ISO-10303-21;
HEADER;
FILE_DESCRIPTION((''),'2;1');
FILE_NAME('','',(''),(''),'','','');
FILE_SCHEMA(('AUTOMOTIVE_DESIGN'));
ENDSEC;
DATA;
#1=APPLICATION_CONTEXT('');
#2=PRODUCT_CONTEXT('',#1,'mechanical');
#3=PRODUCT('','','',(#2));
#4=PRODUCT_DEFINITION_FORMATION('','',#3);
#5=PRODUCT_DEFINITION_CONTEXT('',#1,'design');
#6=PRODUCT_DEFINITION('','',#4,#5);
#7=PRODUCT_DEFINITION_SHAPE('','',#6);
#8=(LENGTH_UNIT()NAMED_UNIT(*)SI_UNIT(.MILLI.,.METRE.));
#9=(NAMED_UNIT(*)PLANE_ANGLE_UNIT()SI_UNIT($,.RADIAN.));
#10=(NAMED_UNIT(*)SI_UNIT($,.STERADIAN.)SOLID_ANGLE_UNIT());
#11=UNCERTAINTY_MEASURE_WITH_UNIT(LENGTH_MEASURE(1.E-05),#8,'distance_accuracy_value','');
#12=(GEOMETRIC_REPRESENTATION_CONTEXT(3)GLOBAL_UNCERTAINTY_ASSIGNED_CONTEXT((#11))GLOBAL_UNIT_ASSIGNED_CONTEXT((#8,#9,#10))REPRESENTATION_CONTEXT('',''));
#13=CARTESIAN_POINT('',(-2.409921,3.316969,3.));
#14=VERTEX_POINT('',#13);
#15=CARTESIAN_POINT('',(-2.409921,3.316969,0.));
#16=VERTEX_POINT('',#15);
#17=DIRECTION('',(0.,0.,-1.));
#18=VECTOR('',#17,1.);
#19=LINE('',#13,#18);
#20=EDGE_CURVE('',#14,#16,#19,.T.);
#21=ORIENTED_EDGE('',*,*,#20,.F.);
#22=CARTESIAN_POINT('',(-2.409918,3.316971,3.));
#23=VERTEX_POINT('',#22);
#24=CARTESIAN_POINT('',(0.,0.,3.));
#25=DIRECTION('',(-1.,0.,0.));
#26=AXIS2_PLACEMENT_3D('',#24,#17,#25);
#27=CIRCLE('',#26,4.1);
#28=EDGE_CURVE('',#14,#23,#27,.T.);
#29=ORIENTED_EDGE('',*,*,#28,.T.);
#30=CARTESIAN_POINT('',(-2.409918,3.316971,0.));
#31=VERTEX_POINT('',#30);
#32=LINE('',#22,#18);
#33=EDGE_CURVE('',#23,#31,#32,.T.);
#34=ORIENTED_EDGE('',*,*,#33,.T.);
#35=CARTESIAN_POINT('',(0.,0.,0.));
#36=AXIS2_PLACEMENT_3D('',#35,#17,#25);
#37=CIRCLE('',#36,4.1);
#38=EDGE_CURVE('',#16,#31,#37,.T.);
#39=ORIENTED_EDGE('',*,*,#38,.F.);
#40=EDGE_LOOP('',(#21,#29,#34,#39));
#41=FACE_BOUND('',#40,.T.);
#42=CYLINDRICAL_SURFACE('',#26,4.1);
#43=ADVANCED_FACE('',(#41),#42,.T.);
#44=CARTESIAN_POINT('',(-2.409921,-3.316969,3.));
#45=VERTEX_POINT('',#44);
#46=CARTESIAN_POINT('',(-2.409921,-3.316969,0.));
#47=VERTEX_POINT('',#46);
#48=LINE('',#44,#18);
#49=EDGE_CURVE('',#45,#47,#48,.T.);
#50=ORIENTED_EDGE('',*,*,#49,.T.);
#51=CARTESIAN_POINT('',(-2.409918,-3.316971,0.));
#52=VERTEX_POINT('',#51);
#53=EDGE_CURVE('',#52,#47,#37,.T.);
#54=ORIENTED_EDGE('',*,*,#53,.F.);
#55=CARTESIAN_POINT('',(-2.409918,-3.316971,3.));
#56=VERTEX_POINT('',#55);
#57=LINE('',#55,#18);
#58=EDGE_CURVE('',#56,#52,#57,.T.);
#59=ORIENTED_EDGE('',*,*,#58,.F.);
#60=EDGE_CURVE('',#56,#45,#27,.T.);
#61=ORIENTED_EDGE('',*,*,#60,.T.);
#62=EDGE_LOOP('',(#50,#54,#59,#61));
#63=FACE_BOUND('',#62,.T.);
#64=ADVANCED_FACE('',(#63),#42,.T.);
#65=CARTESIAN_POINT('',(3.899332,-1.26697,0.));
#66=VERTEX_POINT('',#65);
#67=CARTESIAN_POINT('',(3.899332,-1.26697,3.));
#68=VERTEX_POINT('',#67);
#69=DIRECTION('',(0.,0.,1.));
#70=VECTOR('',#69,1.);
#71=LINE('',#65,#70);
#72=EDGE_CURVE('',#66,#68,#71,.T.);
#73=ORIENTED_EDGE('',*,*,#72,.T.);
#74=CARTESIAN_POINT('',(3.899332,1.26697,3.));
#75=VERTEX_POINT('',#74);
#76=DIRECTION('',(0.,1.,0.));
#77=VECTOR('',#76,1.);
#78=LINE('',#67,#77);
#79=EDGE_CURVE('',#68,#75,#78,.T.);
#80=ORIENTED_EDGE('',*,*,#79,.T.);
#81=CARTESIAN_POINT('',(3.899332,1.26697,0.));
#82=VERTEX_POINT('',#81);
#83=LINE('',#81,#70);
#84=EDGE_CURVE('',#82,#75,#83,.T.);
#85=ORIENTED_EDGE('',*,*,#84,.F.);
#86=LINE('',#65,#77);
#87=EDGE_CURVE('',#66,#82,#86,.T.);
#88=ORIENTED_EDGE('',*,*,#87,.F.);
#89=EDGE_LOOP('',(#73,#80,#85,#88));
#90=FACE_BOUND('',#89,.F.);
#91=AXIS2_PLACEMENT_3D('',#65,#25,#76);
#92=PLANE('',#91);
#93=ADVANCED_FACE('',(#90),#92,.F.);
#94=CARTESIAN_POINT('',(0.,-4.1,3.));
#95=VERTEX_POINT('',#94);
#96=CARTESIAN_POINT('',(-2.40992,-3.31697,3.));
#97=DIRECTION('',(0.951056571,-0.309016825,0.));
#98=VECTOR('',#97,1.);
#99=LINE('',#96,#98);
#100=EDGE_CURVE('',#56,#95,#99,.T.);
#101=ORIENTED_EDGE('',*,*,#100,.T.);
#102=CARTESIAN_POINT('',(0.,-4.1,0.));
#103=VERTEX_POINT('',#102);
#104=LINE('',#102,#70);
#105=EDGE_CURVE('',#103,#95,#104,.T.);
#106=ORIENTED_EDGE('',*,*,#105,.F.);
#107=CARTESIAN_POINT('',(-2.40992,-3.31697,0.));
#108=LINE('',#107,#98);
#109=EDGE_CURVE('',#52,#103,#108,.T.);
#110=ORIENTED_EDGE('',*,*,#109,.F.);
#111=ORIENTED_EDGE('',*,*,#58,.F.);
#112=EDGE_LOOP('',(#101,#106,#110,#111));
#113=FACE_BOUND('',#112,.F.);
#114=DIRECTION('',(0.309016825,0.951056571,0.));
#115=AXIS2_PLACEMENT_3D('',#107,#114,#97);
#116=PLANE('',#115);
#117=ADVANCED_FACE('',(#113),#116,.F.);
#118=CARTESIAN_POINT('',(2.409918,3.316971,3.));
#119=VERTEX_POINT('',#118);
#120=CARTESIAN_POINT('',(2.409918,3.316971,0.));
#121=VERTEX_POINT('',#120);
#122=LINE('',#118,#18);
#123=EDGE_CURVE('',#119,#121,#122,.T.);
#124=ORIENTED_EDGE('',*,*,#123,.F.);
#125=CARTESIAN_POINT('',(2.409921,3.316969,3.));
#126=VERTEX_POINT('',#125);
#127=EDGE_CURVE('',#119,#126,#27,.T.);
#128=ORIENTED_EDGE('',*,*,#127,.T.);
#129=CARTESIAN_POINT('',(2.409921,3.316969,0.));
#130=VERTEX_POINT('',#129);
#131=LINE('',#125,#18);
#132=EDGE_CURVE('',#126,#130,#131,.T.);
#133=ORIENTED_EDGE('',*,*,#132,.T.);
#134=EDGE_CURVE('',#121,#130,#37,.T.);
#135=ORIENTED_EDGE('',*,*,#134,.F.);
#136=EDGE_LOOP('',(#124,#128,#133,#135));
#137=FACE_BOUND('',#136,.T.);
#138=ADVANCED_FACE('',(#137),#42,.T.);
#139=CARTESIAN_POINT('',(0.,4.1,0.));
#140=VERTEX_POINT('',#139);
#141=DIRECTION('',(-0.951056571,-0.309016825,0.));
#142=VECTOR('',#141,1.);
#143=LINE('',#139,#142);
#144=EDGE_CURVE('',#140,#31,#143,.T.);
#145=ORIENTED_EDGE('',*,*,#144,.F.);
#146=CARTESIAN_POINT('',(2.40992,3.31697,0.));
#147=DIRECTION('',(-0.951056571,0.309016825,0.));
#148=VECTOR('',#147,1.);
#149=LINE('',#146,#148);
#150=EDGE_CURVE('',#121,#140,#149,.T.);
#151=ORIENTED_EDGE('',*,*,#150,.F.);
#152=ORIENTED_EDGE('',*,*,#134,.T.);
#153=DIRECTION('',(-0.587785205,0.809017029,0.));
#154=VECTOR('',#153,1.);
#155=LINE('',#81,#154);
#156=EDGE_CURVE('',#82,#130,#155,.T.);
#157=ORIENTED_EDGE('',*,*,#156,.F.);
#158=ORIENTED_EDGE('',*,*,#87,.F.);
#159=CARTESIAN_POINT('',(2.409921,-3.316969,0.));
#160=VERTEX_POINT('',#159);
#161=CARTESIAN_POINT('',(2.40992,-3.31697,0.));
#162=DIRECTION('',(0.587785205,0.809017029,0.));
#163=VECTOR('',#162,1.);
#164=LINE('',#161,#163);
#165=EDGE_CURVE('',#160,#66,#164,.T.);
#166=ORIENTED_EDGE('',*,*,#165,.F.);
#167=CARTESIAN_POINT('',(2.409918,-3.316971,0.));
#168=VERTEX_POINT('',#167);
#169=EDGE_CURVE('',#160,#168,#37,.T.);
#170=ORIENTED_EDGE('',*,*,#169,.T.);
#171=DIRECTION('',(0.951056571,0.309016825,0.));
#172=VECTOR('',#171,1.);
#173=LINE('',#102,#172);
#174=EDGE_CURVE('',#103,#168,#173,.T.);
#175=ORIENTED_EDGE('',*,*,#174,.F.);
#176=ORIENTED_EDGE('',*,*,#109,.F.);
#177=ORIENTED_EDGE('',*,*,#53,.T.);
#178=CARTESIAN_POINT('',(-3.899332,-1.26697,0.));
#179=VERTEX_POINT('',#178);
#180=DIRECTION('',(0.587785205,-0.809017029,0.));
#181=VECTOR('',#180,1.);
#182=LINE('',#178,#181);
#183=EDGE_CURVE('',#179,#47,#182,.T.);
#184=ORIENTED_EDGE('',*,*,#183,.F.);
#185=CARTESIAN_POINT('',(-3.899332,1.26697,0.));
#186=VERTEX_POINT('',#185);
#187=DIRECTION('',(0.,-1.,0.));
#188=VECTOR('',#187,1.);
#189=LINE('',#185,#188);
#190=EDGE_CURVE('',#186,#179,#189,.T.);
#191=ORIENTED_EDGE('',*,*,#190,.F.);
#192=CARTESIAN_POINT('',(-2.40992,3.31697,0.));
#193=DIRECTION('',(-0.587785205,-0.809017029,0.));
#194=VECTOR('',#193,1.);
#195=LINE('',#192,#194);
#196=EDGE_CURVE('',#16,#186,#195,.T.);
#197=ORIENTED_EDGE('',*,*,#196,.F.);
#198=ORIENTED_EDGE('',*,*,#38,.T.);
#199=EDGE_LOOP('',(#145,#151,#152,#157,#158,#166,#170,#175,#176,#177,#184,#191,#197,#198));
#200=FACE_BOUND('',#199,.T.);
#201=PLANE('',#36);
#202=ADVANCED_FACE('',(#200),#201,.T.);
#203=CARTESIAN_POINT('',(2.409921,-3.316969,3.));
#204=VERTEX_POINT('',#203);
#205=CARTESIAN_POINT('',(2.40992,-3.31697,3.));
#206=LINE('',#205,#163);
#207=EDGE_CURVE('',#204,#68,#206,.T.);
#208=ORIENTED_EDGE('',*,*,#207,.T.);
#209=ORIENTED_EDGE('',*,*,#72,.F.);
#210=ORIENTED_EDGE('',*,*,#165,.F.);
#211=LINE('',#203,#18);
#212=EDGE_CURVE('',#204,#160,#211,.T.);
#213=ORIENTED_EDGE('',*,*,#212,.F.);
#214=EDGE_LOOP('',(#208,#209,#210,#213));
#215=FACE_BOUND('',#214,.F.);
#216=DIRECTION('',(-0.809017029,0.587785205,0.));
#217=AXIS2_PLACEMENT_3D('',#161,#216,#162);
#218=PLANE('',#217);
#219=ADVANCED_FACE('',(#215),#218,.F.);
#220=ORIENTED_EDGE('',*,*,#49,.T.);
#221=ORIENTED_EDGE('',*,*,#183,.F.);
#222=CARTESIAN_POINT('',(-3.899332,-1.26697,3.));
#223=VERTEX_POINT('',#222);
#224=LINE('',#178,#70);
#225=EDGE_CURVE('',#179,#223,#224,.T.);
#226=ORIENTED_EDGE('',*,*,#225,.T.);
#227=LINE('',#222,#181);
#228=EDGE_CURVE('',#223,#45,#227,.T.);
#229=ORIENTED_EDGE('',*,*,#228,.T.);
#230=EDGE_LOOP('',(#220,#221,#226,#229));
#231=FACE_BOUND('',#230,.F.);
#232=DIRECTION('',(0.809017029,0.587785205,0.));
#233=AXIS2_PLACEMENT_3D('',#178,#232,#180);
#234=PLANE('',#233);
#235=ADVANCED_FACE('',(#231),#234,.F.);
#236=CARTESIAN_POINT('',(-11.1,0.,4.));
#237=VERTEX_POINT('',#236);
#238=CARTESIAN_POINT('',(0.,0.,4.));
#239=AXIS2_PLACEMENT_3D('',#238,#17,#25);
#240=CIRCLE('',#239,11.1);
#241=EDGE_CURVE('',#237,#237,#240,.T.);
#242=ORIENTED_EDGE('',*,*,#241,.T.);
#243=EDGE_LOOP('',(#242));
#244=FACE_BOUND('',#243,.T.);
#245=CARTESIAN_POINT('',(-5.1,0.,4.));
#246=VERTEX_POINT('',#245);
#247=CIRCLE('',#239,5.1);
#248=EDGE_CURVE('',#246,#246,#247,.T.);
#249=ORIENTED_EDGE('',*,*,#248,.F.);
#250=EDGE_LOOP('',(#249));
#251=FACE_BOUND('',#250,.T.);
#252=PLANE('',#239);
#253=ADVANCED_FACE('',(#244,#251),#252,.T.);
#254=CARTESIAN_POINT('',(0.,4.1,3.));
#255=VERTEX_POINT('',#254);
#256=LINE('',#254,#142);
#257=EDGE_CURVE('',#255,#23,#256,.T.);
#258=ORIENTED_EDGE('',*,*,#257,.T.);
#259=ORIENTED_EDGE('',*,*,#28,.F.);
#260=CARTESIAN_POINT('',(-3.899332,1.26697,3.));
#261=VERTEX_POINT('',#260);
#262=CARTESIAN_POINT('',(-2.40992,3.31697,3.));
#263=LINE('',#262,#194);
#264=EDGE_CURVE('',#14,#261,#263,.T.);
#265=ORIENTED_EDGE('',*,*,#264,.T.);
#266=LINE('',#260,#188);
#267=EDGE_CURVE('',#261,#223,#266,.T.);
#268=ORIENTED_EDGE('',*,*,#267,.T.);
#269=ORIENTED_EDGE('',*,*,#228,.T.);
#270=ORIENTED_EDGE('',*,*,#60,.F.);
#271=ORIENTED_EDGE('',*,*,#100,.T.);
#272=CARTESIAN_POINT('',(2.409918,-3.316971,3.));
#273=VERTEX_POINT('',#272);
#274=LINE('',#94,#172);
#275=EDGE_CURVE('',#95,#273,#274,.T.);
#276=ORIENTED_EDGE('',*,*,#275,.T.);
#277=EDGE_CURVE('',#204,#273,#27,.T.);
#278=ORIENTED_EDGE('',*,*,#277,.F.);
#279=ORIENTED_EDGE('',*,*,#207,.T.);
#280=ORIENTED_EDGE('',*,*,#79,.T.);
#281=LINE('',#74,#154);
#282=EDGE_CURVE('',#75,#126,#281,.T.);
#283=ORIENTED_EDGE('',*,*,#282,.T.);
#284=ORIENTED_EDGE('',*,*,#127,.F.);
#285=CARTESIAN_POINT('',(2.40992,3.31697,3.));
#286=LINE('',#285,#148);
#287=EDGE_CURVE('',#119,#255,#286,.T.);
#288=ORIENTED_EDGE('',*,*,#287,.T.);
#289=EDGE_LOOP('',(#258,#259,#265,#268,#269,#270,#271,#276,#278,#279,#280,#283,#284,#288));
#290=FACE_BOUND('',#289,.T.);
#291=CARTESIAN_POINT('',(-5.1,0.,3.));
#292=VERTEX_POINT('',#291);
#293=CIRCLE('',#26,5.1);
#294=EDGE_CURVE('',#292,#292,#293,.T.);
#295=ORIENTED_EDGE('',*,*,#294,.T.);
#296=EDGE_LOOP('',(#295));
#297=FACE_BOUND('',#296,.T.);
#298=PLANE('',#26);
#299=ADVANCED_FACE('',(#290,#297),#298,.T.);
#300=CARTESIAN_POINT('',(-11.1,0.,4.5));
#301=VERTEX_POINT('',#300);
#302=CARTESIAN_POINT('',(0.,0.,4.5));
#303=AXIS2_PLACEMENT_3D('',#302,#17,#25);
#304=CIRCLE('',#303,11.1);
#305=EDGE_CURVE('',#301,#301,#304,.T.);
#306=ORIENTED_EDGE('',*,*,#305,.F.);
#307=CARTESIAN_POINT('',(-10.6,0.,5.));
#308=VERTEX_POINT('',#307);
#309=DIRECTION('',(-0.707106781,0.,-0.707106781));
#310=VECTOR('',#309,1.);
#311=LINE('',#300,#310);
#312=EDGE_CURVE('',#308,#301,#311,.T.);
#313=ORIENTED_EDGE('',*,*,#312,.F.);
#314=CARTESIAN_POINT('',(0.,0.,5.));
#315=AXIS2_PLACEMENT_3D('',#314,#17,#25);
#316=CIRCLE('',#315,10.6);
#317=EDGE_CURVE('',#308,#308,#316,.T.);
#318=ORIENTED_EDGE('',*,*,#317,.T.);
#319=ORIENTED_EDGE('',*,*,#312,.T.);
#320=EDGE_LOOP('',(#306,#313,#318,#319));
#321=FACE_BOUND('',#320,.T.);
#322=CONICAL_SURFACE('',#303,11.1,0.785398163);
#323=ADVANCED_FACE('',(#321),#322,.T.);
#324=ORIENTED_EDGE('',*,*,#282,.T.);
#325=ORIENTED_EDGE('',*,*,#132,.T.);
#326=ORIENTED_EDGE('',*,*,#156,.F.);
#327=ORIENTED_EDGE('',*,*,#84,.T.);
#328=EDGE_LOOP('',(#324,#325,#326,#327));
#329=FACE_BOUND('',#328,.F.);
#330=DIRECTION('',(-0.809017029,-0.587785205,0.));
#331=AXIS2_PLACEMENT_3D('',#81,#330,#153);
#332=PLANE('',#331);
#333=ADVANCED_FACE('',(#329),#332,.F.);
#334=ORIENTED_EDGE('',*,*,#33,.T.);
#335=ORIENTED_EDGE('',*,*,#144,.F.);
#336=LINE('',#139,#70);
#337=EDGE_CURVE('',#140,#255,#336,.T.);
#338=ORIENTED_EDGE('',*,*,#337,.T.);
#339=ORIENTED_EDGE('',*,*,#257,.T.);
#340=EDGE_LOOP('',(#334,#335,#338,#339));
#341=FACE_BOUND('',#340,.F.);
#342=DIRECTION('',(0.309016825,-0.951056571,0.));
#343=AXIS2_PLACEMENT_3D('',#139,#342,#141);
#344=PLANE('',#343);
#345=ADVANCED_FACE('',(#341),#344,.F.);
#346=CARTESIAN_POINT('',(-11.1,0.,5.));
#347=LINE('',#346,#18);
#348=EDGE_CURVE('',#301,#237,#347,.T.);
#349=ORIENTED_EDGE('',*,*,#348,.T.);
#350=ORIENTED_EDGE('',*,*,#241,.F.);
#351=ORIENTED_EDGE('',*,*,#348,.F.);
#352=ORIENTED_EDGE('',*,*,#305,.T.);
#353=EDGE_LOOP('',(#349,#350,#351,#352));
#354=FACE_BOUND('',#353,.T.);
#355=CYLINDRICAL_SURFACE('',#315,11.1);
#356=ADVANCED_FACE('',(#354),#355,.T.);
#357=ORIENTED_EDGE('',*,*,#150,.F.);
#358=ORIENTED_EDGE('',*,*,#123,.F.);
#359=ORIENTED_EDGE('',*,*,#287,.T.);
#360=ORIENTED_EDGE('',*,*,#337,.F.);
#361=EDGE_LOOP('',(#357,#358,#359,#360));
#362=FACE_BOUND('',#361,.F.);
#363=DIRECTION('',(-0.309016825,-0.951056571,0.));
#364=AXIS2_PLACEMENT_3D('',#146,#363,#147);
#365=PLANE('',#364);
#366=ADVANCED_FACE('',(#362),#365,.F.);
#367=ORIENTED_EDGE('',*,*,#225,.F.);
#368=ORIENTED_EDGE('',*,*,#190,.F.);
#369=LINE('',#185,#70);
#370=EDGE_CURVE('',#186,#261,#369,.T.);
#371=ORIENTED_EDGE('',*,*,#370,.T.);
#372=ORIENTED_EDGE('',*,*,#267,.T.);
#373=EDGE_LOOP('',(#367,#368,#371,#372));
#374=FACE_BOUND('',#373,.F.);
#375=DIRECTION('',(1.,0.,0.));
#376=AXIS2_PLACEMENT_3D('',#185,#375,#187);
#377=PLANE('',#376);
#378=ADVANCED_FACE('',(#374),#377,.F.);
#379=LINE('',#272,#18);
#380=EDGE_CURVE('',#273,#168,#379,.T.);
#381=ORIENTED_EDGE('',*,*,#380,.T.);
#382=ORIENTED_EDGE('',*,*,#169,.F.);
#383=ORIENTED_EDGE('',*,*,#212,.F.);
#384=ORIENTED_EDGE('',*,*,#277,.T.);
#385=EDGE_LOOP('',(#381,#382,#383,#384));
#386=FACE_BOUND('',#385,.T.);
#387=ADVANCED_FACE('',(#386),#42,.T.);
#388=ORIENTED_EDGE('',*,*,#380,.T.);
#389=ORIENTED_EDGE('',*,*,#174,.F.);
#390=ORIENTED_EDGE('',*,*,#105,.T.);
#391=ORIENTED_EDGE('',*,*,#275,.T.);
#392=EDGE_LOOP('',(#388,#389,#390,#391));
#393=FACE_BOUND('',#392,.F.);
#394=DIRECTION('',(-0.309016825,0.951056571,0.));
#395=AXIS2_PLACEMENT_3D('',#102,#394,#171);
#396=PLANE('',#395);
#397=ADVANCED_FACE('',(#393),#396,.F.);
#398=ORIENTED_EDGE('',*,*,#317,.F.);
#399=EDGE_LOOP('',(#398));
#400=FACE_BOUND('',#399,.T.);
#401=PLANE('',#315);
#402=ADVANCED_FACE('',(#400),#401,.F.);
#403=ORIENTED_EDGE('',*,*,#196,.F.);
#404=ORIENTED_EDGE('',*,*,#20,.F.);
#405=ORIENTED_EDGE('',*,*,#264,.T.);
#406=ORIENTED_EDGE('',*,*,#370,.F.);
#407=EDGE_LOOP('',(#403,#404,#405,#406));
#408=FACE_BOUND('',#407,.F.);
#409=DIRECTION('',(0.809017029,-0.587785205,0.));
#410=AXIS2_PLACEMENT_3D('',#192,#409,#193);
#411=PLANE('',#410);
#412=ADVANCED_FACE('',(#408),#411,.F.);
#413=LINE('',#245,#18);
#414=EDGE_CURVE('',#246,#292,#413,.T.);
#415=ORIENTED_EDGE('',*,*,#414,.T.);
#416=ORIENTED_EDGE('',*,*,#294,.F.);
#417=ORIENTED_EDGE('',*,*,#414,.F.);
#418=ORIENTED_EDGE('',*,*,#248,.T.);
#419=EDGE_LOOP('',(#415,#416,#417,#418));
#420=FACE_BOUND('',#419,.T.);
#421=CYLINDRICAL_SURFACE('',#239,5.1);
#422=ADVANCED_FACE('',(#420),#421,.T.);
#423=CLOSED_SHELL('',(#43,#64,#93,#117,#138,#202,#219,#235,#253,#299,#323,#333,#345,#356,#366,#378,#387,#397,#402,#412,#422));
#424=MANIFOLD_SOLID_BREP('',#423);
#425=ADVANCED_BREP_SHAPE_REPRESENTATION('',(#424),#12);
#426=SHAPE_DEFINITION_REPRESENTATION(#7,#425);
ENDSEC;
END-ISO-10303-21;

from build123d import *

# Parameters (mm, degrees)
F2_SIZE  = 0.5
F4_DEPTH = 3


with BuildPart() as f1:
    # F0 (on Front) → F1 (revolve)
    with BuildSketch(Plane.XZ):
        Polygon((-4.1, 0), (0, 0), (0, 5), (-11.1, 5), (-11.1, 4), (-5.1, 4), (-5.1, 3), (-4.1, 3), align=None)
    revolve(axis=Axis((0, 0, 2.5), (0, 0, -1)))

    # F2
    f2_edges = [f1.edges().sort_by_distance(p)[0] for p in [
        (11.1, 0, 5),
    ]]
    chamfer(f2_edges, length=F2_SIZE)

    # F3 (on face) → F4 (cut)
    with BuildSketch(Plane(origin=(0, 0, 0), x_dir=(1, 0, 0), z_dir=(0, 0, -1))):
        with BuildLine():
            ThreePointArc((2.40992, 3.31697), (1.26697, 3.899332), (0, 4.1))
            Line((0, 4.1), (2.40992, 3.31697))
        make_face()
        with BuildLine():
            ThreePointArc((3.899332, 1.26697), (3.31697, 2.40992), (2.40992, 3.31697))
            Line((2.40992, 3.31697), (3.899332, 1.26697))
        make_face()
        with BuildLine():
            ThreePointArc((4.1, 0), (4.049522, 0.641381), (3.899332, 1.26697))
            Line((3.899332, 1.26697), (3.899332, -1.26697))
            ThreePointArc((3.899332, -1.26697), (4.049522, -0.641381), (4.1, 0))
        make_face()
        with BuildLine():
            ThreePointArc((2.40992, -3.31697), (3.31697, -2.40992), (3.899332, -1.26697))
            Line((3.899332, -1.26697), (2.40992, -3.31697))
        make_face()
        with BuildLine():
            ThreePointArc((0, -4.1), (1.26697, -3.899332), (2.40992, -3.31697))
            Line((2.40992, -3.31697), (0, -4.1))
        make_face()
        with BuildLine():
            Line((0, -4.1), (-2.40992, -3.31697))
            ThreePointArc((-2.40992, -3.31697), (-1.26697, -3.899332), (0, -4.1))
        make_face()
        with BuildLine():
            Line((-2.40992, -3.31697), (-3.899332, -1.26697))
            ThreePointArc((-3.899332, -1.26697), (-3.31697, -2.40992), (-2.40992, -3.31697))
        make_face()
        with BuildLine():
            Line((-3.899332, -1.26697), (-3.899332, 1.26697))
            ThreePointArc((-3.899332, 1.26697), (-4.1, 0), (-3.899332, -1.26697))
        make_face()
        with BuildLine():
            Line((-3.899332, 1.26697), (-2.40992, 3.31697))
            ThreePointArc((-2.40992, 3.31697), (-3.31697, 2.40992), (-3.899332, 1.26697))
        make_face()
        with BuildLine():
            Line((-2.40992, 3.31697), (0, 4.1))
            ThreePointArc((0, 4.1), (-1.26697, 3.899332), (-2.40992, 3.31697))
        make_face()
    extrude(amount=-F4_DEPTH, mode=Mode.SUBTRACT)


solid = f1.part
